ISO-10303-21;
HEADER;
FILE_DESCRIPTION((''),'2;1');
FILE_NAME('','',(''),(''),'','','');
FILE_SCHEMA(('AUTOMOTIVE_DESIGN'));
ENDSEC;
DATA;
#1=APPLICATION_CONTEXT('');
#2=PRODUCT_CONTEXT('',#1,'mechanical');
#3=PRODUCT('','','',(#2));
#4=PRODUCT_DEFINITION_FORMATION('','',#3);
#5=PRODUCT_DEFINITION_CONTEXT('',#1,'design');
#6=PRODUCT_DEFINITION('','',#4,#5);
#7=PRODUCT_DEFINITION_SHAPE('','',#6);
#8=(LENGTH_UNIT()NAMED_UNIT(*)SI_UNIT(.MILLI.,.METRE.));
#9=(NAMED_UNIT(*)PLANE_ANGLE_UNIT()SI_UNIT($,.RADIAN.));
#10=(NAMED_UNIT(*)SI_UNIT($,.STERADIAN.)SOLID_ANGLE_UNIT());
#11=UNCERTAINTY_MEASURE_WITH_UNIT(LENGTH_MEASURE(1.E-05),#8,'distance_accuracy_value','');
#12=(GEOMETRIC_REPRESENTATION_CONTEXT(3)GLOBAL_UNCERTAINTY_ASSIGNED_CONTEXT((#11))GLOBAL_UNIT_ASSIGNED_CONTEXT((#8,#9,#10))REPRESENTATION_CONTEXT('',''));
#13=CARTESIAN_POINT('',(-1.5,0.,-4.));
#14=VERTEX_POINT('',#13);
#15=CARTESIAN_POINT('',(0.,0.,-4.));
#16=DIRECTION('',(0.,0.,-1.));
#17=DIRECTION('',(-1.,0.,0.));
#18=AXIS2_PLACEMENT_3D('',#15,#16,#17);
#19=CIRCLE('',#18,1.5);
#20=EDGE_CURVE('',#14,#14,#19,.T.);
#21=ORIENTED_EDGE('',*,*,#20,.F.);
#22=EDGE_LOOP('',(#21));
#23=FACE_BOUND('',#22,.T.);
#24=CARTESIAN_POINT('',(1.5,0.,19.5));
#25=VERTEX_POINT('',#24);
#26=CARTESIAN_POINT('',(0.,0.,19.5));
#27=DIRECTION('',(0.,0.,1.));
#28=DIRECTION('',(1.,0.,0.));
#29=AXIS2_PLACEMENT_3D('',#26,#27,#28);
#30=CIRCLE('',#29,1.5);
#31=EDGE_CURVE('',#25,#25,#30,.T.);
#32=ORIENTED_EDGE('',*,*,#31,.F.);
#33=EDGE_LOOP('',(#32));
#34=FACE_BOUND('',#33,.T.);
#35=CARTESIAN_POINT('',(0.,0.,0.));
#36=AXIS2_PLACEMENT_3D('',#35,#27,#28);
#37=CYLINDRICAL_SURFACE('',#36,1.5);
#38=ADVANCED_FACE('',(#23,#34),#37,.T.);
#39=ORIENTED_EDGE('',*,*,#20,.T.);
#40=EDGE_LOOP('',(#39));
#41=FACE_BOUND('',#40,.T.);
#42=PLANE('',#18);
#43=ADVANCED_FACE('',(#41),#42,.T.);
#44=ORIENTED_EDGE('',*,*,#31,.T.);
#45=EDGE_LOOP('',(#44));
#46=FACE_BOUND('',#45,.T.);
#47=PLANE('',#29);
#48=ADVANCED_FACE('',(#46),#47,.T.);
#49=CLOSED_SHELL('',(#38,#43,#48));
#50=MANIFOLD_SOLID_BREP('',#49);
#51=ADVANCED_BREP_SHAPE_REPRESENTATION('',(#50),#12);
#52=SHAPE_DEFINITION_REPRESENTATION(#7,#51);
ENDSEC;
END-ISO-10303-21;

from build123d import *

# Parameters (mm, degrees)
SKETCH1_R           = 0.75
BOSS_EXTRUDE1_DEPTH = 19.5
SKETCH2_R           = 1.5
BOSS_EXTRUDE2_DEPTH = 19.5
SKETCH4_R           = 1.5
BOSS_EXTRUDE3_DEPTH = 4


with BuildPart() as part:
    # Sketch1 → Boss-Extrude1 (new body)
    with BuildSketch(Plane.XY):
        Circle(SKETCH1_R)
    extrude(amount=BOSS_EXTRUDE1_DEPTH)

    # Sketch2 → Boss-Extrude2 (add)
    with BuildSketch(Plane.XY.offset(19.5)):
        Circle(SKETCH2_R)
    extrude(amount=-BOSS_EXTRUDE2_DEPTH)

    # Sketch4 → Boss-Extrude3 (add)
    with BuildSketch(Plane(origin=(0, 0, 0), x_dir=(-1, 0, 0), z_dir=(0, 0, -1))):
        with Locations(Location((0, 0, 0), (0, 0, 180))):
            Circle(SKETCH4_R)
    extrude(amount=BOSS_EXTRUDE3_DEPTH)


solid = part.part
